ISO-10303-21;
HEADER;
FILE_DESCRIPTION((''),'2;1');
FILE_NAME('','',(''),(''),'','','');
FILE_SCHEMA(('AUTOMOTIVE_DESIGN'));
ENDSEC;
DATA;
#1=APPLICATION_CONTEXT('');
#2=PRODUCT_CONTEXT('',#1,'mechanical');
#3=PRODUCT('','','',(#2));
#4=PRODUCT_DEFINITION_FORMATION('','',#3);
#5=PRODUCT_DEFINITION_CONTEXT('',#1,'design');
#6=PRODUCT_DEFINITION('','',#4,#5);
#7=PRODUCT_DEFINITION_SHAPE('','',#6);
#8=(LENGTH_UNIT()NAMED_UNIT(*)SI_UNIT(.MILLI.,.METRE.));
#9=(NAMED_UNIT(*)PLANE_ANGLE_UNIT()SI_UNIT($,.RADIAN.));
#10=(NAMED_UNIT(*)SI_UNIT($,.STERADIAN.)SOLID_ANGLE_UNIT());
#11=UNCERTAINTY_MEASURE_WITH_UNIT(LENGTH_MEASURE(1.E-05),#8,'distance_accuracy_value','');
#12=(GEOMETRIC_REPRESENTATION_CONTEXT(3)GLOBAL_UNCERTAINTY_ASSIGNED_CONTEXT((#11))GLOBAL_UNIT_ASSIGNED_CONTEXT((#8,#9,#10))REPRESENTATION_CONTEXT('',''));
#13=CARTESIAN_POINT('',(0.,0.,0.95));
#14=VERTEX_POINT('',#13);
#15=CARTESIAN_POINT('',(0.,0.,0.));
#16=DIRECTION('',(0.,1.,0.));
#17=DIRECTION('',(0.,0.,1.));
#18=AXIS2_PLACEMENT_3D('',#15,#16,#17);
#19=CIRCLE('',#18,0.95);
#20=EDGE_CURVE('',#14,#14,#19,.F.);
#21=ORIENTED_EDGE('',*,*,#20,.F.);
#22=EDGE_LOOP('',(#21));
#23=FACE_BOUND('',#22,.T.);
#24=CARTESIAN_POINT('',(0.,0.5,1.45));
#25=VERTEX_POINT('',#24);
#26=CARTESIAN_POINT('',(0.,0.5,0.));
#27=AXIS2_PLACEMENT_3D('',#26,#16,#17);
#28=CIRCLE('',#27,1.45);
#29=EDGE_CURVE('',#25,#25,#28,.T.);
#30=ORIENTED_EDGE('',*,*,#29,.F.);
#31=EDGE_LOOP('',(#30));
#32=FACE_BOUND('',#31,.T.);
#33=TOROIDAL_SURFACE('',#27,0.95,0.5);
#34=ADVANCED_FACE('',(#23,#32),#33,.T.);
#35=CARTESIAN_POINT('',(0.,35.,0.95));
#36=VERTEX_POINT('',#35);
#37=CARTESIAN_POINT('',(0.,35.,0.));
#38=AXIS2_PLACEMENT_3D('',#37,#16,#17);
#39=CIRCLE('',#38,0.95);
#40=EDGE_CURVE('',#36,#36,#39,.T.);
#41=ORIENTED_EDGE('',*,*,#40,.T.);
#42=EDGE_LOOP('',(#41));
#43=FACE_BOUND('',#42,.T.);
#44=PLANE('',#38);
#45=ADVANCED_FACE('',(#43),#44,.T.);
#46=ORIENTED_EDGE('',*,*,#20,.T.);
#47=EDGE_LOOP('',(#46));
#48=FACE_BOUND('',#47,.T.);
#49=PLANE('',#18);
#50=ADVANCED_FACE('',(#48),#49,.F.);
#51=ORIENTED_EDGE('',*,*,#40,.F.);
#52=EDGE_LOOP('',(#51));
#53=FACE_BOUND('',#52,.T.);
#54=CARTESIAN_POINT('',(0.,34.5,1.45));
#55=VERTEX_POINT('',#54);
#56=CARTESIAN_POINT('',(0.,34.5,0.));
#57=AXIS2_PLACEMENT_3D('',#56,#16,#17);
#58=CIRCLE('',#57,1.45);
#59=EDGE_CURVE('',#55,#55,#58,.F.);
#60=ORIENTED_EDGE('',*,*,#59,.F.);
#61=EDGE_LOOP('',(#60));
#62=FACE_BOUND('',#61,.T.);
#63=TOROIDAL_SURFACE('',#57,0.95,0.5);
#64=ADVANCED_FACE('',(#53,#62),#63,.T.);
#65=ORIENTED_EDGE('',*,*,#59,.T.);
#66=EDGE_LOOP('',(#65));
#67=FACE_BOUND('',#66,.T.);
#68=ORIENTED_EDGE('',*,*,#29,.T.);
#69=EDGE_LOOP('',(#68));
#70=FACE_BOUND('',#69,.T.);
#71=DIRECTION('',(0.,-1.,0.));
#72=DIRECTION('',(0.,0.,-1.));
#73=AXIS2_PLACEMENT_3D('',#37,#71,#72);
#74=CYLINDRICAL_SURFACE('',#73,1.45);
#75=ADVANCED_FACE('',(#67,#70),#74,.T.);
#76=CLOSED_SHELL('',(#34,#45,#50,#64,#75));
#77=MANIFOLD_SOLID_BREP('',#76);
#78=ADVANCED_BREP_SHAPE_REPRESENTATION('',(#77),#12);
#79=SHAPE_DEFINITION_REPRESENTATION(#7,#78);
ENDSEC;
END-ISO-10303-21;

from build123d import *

# Parameters (mm, degrees)
SKIZZE1_R                       = 1.45
AUFSATZ_LINEAR_AUSTRAGEN1_DEPTH = 35
VERRUNDUNG1_R                   = 0.5


with BuildPart() as part:
    # Skizze1 → Aufsatz-Linear austragen1 (new body)
    with BuildSketch(Plane(origin=(0, 0, 0), x_dir=(1, 0, 0), z_dir=(0, 1, 0))):
        with Locations(Location((0, 0, 0), (0, 0, 270))):
            Circle(SKIZZE1_R)
    extrude(amount=AUFSATZ_LINEAR_AUSTRAGEN1_DEPTH)

    # Verrundung1
    verrundung1_edges = [part.edges().sort_by_distance(p)[0] for p in [
        (0, 0, -1.45),
        (0, 35, -1.45),
    ]]
    fillet(verrundung1_edges, radius=VERRUNDUNG1_R)


solid = part.part
